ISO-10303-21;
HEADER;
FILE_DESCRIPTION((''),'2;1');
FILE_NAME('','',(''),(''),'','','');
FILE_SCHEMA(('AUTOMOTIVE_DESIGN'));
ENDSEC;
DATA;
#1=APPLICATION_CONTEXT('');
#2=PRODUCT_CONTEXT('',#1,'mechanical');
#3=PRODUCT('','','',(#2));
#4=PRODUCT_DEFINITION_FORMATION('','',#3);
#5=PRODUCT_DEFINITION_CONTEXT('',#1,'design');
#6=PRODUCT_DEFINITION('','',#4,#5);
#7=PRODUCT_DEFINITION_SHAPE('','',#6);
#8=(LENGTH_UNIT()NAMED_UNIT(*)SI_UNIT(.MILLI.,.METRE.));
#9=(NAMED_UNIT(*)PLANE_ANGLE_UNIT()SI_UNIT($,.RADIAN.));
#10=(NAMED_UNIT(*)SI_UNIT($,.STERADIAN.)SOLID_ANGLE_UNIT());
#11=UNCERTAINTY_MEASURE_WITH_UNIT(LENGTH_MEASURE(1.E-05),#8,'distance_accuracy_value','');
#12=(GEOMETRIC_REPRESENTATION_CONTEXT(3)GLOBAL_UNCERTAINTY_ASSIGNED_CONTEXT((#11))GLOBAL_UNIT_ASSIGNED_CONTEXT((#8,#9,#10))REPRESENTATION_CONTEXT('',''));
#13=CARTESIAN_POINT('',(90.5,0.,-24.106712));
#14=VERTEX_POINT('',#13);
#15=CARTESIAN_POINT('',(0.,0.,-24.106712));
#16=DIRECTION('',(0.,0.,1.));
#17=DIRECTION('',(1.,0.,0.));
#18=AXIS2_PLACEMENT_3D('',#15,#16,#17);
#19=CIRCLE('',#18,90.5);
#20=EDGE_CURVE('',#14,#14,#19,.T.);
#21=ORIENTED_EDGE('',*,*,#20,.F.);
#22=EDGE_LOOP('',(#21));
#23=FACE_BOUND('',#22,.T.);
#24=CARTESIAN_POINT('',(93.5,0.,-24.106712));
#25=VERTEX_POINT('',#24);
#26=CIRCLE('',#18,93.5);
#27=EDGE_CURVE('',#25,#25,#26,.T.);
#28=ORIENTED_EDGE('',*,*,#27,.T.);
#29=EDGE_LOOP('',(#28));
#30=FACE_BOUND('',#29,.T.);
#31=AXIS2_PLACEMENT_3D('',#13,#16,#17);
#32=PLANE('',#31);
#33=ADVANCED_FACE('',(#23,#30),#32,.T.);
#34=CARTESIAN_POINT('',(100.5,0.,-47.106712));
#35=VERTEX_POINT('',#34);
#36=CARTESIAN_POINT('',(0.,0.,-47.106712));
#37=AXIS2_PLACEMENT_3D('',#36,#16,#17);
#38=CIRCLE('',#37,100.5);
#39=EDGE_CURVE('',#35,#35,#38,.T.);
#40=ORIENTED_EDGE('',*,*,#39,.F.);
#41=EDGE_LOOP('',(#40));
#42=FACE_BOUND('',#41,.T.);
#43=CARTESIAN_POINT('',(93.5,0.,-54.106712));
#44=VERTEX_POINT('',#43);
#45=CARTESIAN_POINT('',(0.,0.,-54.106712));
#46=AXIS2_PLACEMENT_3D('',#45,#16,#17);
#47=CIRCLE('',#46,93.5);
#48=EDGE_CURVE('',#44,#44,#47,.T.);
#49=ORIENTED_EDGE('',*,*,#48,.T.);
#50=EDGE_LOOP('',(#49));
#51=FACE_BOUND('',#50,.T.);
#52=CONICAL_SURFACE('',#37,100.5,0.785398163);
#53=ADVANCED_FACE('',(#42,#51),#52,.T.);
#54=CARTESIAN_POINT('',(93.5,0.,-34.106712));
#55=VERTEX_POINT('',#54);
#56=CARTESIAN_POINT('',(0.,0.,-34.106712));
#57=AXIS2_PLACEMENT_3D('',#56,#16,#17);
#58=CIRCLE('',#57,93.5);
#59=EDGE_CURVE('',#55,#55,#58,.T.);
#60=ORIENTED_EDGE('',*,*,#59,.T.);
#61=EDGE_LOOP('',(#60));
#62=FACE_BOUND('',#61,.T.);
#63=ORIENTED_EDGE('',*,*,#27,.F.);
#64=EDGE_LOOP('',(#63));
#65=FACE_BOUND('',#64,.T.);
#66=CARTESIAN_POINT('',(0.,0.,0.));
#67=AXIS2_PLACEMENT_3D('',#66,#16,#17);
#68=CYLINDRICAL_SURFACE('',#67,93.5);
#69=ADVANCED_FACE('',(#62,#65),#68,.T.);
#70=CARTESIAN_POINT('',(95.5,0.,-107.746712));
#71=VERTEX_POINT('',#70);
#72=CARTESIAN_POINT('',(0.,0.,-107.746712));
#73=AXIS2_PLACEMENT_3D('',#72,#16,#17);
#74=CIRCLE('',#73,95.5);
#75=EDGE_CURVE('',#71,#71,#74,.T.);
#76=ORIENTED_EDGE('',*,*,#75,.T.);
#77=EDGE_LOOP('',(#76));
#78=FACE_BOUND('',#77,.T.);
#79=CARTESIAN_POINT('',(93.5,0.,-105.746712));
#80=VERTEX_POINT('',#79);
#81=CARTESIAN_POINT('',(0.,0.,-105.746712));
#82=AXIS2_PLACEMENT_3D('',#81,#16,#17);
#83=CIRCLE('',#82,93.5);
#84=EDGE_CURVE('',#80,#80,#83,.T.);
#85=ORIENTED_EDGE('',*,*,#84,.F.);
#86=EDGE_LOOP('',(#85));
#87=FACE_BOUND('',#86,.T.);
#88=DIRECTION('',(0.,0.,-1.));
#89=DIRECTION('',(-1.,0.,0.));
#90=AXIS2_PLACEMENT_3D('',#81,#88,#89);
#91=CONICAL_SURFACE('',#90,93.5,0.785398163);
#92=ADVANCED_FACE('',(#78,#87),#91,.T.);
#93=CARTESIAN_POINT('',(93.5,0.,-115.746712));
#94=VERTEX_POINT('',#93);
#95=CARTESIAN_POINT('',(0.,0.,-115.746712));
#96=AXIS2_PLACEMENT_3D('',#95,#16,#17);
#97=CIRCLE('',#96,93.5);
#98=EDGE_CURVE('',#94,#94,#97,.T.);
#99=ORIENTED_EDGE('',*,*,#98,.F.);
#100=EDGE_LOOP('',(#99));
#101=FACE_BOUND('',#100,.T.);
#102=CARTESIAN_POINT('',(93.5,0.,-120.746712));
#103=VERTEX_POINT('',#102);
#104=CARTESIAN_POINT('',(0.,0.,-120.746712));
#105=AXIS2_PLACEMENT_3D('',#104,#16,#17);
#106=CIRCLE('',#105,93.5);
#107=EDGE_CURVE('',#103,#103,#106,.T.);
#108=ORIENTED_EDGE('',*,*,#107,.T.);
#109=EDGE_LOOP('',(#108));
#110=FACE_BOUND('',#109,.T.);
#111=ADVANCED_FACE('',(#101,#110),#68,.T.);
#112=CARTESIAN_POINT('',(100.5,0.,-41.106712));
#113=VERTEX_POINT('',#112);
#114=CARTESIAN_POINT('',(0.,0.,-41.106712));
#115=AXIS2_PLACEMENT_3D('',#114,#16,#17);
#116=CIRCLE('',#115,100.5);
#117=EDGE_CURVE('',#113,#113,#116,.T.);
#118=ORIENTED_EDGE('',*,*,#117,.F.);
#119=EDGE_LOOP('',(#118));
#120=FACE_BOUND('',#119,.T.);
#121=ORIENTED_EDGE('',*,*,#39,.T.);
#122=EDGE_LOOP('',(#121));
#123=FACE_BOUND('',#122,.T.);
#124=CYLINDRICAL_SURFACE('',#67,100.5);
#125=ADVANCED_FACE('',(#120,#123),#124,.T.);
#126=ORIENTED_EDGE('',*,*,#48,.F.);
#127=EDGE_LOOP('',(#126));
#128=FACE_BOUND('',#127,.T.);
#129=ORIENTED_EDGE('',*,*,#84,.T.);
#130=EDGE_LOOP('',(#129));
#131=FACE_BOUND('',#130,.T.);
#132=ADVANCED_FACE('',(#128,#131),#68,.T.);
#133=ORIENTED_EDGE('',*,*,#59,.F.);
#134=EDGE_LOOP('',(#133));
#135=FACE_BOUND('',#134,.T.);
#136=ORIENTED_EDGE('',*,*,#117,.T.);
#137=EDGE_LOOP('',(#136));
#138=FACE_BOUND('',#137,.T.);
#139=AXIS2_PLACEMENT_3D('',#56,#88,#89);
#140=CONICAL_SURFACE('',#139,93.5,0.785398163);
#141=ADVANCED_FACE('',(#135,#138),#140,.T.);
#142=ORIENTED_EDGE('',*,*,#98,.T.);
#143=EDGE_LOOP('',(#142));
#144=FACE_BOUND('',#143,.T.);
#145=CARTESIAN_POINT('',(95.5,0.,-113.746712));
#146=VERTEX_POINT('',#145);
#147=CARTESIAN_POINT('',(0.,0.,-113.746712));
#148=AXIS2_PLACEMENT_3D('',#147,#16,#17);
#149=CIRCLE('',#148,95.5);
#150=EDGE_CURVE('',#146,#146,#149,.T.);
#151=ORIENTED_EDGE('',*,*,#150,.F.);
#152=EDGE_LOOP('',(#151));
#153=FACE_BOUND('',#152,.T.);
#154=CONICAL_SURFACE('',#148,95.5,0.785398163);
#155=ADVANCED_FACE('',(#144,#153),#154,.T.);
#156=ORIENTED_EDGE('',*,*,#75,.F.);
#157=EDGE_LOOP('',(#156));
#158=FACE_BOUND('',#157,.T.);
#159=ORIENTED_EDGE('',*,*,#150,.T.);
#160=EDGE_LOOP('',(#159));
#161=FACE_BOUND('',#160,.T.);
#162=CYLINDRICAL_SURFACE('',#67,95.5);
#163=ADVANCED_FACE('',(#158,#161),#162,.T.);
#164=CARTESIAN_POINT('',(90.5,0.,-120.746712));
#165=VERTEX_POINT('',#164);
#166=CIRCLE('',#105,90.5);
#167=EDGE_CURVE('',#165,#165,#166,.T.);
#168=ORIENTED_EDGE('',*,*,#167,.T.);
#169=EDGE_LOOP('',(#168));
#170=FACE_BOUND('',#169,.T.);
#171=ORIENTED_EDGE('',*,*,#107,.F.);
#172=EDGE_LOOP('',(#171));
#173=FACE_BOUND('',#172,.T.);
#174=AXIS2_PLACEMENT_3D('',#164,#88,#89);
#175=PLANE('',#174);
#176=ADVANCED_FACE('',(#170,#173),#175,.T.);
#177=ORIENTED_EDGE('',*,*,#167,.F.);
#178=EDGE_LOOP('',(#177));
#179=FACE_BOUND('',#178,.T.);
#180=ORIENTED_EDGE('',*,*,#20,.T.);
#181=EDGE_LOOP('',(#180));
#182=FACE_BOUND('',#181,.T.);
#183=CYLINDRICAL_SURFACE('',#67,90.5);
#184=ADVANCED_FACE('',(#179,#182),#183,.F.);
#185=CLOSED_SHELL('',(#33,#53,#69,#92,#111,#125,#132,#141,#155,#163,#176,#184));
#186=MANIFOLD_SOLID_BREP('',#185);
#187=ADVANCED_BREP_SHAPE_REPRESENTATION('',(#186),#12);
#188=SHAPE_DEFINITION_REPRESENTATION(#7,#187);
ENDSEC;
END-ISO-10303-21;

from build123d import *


with BuildPart() as part:
    # Эскиз1 → Повернуть1 (revolve)
    with BuildSketch(Plane(origin=(0, 0, 0), x_dir=(1, 0, 0), z_dir=(0, 1, 0))):
        Polygon((90.5, 120.746712412), (93.5, 120.746712412), (93.5, 115.746712412), (95.5, 113.746712412), (95.5, 107.746712412), (93.5, 105.746712412), (93.5, 54.106712412), (100.5, 47.106712412), (100.5, 41.106712412), (93.5, 34.106712412), (93.5, 24.106712412), (90.5, 24.106712412), align=None)
    revolve(axis=Axis((0, 0, 0), (0, 0, -1)))


solid = part.part
